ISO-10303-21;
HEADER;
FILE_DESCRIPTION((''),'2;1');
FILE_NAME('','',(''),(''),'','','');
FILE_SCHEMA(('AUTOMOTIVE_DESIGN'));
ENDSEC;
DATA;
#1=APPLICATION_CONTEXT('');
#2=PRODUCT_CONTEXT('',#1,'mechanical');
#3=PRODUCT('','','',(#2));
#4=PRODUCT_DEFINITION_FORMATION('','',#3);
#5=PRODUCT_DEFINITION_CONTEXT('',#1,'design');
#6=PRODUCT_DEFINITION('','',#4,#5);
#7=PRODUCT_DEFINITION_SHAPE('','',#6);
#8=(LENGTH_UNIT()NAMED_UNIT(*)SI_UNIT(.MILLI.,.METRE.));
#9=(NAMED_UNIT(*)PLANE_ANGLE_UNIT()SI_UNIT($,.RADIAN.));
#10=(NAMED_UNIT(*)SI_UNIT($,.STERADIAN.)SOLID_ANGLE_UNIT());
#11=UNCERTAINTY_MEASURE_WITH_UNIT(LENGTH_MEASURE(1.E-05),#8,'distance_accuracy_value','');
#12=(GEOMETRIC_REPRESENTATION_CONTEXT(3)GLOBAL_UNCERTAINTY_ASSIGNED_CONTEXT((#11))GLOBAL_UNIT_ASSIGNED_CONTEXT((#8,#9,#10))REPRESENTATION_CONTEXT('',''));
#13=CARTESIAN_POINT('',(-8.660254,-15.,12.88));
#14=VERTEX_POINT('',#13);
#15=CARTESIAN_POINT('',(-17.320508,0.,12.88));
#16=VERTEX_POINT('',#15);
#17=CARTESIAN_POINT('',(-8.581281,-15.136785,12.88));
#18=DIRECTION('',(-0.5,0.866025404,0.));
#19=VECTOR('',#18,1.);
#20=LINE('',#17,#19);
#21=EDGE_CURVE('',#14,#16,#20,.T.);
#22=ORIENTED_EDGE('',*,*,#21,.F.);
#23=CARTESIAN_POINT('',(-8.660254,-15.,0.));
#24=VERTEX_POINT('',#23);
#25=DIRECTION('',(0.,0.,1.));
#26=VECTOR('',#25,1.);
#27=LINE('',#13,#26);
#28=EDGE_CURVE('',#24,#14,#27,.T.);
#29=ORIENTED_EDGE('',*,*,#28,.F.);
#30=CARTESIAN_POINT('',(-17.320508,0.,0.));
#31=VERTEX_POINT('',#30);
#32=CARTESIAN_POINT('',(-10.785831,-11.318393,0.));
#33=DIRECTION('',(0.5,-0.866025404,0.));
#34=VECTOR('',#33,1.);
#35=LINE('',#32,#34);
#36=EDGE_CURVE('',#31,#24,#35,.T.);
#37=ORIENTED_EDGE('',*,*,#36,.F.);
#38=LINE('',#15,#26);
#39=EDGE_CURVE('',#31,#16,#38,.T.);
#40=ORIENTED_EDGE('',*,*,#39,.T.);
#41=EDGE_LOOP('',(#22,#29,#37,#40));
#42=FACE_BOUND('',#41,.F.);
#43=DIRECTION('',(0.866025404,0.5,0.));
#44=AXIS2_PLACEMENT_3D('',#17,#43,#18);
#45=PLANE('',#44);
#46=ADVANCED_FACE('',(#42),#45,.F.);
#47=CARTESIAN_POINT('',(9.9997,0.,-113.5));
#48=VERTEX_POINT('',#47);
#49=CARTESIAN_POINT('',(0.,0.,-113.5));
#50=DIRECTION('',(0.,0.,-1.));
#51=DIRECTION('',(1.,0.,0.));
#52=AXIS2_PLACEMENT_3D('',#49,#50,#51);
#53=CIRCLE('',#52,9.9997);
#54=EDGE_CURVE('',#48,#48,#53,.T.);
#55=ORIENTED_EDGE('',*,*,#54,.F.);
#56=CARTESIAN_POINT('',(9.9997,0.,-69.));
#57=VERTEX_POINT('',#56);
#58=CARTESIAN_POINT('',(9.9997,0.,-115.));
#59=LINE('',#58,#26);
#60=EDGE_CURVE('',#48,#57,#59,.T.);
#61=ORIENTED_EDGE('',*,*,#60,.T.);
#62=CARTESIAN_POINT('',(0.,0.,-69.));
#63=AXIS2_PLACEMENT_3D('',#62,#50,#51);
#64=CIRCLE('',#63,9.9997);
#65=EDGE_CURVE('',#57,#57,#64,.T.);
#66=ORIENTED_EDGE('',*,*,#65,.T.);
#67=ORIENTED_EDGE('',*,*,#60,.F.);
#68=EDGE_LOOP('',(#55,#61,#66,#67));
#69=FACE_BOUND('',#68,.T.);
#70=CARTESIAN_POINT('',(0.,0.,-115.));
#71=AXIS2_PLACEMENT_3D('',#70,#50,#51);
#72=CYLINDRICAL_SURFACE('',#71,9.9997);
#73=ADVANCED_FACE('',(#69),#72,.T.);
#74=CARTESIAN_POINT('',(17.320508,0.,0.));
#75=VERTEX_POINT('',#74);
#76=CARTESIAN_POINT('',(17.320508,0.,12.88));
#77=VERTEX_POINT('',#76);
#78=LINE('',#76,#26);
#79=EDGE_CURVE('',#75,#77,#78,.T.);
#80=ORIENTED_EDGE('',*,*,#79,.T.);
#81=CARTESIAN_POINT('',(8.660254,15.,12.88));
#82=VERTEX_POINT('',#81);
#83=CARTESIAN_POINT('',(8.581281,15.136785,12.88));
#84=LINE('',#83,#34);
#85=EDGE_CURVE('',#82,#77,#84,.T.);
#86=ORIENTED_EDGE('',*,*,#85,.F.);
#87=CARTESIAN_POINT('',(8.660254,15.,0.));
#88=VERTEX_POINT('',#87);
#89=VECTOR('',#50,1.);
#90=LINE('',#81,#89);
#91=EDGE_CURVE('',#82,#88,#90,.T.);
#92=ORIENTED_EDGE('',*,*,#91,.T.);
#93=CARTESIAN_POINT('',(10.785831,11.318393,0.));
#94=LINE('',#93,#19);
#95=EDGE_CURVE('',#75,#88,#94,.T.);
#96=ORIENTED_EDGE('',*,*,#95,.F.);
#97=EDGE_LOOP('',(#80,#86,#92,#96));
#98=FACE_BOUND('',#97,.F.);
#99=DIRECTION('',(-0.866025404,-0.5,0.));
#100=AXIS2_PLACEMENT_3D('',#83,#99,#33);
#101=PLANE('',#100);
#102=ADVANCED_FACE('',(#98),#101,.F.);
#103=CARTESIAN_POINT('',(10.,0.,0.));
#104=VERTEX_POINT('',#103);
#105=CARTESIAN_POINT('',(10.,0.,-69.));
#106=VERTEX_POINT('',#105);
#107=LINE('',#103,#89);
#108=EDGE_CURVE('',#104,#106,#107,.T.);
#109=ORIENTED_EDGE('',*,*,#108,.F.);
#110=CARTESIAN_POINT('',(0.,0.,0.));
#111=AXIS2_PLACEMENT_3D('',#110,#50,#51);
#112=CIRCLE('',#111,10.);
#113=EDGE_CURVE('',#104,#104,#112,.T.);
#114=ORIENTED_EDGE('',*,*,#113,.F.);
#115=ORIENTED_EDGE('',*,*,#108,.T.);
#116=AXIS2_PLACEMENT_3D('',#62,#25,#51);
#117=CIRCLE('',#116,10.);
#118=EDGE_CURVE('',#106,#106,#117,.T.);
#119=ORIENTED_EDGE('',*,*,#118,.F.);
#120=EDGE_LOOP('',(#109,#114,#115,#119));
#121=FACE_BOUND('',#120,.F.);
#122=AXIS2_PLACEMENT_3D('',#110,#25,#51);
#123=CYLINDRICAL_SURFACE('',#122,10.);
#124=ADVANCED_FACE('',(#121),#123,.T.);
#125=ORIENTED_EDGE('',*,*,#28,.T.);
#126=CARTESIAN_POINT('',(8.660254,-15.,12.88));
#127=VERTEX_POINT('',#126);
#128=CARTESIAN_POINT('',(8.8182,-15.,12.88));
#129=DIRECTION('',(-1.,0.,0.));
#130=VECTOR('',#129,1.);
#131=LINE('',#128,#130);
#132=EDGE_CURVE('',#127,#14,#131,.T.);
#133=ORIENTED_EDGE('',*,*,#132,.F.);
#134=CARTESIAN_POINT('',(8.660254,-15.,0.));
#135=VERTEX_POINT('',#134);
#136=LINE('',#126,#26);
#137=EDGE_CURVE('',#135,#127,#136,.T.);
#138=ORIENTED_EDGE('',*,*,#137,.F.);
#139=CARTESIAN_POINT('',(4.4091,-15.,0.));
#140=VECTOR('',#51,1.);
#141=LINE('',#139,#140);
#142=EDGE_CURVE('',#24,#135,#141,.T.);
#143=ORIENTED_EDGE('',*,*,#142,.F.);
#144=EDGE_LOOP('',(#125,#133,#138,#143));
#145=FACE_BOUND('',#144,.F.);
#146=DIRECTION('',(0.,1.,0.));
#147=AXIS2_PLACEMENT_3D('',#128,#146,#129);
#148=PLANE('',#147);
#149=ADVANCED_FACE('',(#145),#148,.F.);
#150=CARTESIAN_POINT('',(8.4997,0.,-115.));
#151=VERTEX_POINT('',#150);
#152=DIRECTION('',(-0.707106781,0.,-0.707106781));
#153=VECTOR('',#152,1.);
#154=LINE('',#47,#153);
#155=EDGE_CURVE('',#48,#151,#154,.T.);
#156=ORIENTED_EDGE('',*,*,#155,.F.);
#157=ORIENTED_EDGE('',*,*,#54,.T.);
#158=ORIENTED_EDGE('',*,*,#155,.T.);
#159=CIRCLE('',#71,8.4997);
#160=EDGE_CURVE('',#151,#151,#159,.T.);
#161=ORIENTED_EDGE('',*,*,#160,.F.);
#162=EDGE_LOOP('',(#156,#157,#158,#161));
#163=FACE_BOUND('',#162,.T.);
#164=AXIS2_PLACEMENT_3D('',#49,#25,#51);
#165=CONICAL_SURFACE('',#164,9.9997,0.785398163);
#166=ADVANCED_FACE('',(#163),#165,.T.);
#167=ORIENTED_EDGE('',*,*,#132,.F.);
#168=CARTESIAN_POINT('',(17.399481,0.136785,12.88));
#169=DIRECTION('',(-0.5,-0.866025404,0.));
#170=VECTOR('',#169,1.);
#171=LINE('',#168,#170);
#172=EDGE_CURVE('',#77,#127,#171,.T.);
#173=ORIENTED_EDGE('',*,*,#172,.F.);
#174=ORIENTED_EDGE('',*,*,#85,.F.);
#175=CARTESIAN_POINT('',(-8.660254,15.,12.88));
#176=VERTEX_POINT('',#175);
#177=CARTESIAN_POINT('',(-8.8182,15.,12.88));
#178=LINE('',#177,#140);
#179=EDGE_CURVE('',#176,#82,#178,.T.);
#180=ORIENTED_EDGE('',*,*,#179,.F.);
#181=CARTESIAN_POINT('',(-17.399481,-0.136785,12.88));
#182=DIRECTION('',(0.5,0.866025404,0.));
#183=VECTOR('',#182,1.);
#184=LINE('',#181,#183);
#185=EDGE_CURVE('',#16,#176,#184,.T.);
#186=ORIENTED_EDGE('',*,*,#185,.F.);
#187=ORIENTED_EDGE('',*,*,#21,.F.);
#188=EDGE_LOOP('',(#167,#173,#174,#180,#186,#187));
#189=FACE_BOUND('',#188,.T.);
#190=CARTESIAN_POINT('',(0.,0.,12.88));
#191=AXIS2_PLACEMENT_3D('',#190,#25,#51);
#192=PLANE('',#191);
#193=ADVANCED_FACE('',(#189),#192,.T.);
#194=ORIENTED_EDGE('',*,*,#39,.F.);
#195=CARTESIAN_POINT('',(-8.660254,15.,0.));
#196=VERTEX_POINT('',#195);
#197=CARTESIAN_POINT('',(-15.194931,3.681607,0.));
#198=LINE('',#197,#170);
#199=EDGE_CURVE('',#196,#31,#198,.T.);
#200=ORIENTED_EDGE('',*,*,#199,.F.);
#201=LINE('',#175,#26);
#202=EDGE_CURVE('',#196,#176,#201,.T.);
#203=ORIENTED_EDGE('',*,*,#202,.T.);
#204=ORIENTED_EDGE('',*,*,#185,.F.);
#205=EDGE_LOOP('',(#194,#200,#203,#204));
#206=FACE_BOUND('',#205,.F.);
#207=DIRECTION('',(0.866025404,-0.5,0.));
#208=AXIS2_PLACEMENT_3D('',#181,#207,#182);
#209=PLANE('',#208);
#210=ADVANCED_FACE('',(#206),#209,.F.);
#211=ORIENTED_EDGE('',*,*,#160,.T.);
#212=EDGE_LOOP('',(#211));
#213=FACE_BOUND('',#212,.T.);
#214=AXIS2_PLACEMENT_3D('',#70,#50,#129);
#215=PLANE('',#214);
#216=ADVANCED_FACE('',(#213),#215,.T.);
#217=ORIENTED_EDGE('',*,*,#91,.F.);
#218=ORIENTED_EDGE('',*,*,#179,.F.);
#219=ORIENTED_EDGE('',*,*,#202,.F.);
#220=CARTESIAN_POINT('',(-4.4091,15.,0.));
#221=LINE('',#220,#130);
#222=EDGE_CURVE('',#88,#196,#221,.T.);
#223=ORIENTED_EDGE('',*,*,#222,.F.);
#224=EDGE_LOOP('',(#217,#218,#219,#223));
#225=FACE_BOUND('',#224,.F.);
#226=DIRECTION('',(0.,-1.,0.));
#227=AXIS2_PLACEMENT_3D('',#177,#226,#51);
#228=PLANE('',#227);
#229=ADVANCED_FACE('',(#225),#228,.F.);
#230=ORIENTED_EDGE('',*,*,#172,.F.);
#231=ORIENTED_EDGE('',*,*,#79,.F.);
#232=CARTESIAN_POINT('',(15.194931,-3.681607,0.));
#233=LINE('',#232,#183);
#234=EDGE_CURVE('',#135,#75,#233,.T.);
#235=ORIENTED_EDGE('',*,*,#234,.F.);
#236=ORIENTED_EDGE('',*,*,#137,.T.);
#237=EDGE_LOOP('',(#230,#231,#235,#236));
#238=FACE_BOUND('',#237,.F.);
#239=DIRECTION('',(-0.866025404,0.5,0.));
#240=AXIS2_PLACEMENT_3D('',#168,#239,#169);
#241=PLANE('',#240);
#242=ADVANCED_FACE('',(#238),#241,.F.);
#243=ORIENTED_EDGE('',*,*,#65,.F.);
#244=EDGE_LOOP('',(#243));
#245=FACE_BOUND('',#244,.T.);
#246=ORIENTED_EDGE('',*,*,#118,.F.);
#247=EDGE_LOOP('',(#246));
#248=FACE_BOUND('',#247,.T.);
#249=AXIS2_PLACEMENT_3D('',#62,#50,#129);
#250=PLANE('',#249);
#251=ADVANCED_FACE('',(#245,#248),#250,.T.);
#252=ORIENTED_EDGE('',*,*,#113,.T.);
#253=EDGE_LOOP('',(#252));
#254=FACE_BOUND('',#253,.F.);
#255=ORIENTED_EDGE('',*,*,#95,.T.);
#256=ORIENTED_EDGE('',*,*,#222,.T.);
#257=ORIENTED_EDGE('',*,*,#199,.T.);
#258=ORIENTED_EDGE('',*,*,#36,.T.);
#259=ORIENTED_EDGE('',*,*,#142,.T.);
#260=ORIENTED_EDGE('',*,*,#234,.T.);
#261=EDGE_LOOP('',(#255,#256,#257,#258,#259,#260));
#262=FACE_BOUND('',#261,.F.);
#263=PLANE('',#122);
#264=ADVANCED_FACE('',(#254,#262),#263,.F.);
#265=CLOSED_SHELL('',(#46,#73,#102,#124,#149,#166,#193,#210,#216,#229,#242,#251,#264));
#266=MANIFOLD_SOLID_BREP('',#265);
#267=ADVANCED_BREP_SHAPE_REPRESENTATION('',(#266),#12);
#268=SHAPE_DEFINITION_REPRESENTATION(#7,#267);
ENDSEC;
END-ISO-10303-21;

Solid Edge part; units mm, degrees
sketch "Sketch1" plane through (0, 0, 0) normal (0, 0, 1) x (1, 0, 0)
  circle A0 centre (0, 0) radius 17.4
  dimension "D1" = 34.8
extrude "Protrusion1" add sketch "Sketch1" along normal blind 12.88
sketch "Sketch2" plane through (0, 0, 0) normal (0, 0, -1) x (1, 0, 0)
  circle A0 centre (0, 0) radius 10
extrude "Protrusion2" add sketch "Sketch2" along normal blind 115
sketch "Sketch3" plane through (0, 0, -115) normal (0, 0, -1) x (1, 0, 0)
  circle A0 centre (0, 0) radius 9.9997
extrude "Cutout1" cut sketch "Sketch3" against normal blind 46 flip side to cut
chamfer "Chamfer_1" distance 1.5 angle 45 1 edges at (-9.9997, 0, -115)
sketch "Sketch4" plane through (0, 0, 12.88) normal (0, 0, 1) x (1, 0, 0)
  line L0 (-8.8182, 15) -> (8.8182, 15)
  dimension "D1" = 30
extrude "Cutout2" cut sketch "Sketch4" against normal up to next material side at (0, 15.05, 12.88)
pattern_circular "Pattern1" count 6 over 360 about axis through (0, 0, 12.88) along (0, 0, 1) of "Cutout2"
properties part number "160787"
